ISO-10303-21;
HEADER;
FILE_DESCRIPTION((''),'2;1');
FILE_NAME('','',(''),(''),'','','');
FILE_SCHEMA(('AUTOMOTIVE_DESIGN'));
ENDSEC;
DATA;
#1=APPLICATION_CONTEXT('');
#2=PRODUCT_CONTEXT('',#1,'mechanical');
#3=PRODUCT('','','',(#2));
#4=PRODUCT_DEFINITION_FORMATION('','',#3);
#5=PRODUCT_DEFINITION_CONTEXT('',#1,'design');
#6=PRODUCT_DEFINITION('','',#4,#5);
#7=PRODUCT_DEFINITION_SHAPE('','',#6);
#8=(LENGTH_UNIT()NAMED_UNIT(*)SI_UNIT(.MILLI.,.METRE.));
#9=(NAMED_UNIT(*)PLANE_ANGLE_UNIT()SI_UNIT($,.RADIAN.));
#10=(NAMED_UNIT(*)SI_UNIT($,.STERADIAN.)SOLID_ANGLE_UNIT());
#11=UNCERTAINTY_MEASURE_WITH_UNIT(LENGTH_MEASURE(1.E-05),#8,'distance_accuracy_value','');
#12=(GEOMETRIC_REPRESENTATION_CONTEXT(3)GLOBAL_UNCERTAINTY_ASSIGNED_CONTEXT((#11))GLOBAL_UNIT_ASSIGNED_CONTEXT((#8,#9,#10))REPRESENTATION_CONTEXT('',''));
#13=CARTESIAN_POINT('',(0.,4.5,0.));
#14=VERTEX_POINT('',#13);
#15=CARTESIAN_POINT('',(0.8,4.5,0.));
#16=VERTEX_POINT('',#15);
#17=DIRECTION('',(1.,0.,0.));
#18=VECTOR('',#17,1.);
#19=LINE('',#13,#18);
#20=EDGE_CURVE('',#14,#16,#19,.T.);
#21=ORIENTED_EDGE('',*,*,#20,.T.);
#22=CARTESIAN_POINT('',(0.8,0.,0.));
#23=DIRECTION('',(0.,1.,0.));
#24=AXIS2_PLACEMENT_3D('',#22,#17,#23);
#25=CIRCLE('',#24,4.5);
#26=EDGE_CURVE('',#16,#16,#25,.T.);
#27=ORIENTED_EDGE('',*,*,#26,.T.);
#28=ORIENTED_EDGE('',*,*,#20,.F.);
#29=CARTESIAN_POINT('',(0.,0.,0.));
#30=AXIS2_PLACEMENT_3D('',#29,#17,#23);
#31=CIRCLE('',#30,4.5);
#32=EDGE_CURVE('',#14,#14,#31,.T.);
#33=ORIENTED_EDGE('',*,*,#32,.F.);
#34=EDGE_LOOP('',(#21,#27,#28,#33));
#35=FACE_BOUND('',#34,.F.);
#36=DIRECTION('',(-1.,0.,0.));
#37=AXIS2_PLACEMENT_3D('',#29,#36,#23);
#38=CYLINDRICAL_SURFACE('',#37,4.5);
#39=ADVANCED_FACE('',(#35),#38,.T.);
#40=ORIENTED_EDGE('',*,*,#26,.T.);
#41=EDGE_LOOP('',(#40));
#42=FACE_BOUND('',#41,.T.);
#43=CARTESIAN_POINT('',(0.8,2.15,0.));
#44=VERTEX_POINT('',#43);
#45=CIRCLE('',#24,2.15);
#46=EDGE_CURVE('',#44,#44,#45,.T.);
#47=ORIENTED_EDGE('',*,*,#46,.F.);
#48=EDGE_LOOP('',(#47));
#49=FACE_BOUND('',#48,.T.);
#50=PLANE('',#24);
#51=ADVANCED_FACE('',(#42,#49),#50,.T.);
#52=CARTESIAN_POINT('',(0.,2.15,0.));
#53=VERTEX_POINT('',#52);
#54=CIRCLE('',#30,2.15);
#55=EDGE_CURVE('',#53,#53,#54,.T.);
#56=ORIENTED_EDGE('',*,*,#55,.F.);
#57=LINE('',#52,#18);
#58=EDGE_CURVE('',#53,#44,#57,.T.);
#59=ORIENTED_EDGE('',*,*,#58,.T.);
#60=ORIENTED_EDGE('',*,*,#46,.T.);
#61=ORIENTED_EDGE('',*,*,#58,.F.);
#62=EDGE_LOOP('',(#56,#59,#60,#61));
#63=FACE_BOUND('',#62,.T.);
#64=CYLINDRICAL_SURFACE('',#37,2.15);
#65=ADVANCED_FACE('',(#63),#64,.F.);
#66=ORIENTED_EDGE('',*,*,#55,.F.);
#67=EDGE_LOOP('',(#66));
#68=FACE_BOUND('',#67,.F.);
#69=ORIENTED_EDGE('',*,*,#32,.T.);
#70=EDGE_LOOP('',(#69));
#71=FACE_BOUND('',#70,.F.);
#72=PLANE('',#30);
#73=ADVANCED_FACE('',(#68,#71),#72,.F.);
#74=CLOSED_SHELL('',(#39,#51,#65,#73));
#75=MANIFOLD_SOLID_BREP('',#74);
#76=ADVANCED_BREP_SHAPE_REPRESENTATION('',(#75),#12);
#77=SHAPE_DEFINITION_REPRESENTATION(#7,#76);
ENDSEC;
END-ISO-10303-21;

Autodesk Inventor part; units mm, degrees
ref_plane "YZ Plane" through (0, 0, 0) normal (1, 0, 0) x (0, 1, 0)
ref_plane "XZ Plane" through (0, 0, 0) normal (0, 1, 0) x (-1, 0, 0)
sketch "Náčrt" plane through (0, 0, 0) normal (1, 0, 0) x (0, 1, 0)
  circle A0 centre (0, 0) radius 4.5
  circle A1 centre (0, 0) radius 2.15
  dimension "d0" = 4.3
  dimension "d1" = 9
extrude "Těleso" add sketch "Náčrt" along normal blind 0.8
ref_plane "Work Plane1" through (0, 0, 0) normal (0, 0, 1) x (1, 0, 0)
equation "\"d0\" = SD1"
equation "\"d1\" = SD2"
equation "\"d2\" = SD"
equation "\"SD1\" = 4.3"
equation "\"SD2\" = 9"
equation "\"SD\" = 0.8"
equation "\"NND\" = 4"
properties part number "ISO 7089 - 4" material "Stainless Steel"
